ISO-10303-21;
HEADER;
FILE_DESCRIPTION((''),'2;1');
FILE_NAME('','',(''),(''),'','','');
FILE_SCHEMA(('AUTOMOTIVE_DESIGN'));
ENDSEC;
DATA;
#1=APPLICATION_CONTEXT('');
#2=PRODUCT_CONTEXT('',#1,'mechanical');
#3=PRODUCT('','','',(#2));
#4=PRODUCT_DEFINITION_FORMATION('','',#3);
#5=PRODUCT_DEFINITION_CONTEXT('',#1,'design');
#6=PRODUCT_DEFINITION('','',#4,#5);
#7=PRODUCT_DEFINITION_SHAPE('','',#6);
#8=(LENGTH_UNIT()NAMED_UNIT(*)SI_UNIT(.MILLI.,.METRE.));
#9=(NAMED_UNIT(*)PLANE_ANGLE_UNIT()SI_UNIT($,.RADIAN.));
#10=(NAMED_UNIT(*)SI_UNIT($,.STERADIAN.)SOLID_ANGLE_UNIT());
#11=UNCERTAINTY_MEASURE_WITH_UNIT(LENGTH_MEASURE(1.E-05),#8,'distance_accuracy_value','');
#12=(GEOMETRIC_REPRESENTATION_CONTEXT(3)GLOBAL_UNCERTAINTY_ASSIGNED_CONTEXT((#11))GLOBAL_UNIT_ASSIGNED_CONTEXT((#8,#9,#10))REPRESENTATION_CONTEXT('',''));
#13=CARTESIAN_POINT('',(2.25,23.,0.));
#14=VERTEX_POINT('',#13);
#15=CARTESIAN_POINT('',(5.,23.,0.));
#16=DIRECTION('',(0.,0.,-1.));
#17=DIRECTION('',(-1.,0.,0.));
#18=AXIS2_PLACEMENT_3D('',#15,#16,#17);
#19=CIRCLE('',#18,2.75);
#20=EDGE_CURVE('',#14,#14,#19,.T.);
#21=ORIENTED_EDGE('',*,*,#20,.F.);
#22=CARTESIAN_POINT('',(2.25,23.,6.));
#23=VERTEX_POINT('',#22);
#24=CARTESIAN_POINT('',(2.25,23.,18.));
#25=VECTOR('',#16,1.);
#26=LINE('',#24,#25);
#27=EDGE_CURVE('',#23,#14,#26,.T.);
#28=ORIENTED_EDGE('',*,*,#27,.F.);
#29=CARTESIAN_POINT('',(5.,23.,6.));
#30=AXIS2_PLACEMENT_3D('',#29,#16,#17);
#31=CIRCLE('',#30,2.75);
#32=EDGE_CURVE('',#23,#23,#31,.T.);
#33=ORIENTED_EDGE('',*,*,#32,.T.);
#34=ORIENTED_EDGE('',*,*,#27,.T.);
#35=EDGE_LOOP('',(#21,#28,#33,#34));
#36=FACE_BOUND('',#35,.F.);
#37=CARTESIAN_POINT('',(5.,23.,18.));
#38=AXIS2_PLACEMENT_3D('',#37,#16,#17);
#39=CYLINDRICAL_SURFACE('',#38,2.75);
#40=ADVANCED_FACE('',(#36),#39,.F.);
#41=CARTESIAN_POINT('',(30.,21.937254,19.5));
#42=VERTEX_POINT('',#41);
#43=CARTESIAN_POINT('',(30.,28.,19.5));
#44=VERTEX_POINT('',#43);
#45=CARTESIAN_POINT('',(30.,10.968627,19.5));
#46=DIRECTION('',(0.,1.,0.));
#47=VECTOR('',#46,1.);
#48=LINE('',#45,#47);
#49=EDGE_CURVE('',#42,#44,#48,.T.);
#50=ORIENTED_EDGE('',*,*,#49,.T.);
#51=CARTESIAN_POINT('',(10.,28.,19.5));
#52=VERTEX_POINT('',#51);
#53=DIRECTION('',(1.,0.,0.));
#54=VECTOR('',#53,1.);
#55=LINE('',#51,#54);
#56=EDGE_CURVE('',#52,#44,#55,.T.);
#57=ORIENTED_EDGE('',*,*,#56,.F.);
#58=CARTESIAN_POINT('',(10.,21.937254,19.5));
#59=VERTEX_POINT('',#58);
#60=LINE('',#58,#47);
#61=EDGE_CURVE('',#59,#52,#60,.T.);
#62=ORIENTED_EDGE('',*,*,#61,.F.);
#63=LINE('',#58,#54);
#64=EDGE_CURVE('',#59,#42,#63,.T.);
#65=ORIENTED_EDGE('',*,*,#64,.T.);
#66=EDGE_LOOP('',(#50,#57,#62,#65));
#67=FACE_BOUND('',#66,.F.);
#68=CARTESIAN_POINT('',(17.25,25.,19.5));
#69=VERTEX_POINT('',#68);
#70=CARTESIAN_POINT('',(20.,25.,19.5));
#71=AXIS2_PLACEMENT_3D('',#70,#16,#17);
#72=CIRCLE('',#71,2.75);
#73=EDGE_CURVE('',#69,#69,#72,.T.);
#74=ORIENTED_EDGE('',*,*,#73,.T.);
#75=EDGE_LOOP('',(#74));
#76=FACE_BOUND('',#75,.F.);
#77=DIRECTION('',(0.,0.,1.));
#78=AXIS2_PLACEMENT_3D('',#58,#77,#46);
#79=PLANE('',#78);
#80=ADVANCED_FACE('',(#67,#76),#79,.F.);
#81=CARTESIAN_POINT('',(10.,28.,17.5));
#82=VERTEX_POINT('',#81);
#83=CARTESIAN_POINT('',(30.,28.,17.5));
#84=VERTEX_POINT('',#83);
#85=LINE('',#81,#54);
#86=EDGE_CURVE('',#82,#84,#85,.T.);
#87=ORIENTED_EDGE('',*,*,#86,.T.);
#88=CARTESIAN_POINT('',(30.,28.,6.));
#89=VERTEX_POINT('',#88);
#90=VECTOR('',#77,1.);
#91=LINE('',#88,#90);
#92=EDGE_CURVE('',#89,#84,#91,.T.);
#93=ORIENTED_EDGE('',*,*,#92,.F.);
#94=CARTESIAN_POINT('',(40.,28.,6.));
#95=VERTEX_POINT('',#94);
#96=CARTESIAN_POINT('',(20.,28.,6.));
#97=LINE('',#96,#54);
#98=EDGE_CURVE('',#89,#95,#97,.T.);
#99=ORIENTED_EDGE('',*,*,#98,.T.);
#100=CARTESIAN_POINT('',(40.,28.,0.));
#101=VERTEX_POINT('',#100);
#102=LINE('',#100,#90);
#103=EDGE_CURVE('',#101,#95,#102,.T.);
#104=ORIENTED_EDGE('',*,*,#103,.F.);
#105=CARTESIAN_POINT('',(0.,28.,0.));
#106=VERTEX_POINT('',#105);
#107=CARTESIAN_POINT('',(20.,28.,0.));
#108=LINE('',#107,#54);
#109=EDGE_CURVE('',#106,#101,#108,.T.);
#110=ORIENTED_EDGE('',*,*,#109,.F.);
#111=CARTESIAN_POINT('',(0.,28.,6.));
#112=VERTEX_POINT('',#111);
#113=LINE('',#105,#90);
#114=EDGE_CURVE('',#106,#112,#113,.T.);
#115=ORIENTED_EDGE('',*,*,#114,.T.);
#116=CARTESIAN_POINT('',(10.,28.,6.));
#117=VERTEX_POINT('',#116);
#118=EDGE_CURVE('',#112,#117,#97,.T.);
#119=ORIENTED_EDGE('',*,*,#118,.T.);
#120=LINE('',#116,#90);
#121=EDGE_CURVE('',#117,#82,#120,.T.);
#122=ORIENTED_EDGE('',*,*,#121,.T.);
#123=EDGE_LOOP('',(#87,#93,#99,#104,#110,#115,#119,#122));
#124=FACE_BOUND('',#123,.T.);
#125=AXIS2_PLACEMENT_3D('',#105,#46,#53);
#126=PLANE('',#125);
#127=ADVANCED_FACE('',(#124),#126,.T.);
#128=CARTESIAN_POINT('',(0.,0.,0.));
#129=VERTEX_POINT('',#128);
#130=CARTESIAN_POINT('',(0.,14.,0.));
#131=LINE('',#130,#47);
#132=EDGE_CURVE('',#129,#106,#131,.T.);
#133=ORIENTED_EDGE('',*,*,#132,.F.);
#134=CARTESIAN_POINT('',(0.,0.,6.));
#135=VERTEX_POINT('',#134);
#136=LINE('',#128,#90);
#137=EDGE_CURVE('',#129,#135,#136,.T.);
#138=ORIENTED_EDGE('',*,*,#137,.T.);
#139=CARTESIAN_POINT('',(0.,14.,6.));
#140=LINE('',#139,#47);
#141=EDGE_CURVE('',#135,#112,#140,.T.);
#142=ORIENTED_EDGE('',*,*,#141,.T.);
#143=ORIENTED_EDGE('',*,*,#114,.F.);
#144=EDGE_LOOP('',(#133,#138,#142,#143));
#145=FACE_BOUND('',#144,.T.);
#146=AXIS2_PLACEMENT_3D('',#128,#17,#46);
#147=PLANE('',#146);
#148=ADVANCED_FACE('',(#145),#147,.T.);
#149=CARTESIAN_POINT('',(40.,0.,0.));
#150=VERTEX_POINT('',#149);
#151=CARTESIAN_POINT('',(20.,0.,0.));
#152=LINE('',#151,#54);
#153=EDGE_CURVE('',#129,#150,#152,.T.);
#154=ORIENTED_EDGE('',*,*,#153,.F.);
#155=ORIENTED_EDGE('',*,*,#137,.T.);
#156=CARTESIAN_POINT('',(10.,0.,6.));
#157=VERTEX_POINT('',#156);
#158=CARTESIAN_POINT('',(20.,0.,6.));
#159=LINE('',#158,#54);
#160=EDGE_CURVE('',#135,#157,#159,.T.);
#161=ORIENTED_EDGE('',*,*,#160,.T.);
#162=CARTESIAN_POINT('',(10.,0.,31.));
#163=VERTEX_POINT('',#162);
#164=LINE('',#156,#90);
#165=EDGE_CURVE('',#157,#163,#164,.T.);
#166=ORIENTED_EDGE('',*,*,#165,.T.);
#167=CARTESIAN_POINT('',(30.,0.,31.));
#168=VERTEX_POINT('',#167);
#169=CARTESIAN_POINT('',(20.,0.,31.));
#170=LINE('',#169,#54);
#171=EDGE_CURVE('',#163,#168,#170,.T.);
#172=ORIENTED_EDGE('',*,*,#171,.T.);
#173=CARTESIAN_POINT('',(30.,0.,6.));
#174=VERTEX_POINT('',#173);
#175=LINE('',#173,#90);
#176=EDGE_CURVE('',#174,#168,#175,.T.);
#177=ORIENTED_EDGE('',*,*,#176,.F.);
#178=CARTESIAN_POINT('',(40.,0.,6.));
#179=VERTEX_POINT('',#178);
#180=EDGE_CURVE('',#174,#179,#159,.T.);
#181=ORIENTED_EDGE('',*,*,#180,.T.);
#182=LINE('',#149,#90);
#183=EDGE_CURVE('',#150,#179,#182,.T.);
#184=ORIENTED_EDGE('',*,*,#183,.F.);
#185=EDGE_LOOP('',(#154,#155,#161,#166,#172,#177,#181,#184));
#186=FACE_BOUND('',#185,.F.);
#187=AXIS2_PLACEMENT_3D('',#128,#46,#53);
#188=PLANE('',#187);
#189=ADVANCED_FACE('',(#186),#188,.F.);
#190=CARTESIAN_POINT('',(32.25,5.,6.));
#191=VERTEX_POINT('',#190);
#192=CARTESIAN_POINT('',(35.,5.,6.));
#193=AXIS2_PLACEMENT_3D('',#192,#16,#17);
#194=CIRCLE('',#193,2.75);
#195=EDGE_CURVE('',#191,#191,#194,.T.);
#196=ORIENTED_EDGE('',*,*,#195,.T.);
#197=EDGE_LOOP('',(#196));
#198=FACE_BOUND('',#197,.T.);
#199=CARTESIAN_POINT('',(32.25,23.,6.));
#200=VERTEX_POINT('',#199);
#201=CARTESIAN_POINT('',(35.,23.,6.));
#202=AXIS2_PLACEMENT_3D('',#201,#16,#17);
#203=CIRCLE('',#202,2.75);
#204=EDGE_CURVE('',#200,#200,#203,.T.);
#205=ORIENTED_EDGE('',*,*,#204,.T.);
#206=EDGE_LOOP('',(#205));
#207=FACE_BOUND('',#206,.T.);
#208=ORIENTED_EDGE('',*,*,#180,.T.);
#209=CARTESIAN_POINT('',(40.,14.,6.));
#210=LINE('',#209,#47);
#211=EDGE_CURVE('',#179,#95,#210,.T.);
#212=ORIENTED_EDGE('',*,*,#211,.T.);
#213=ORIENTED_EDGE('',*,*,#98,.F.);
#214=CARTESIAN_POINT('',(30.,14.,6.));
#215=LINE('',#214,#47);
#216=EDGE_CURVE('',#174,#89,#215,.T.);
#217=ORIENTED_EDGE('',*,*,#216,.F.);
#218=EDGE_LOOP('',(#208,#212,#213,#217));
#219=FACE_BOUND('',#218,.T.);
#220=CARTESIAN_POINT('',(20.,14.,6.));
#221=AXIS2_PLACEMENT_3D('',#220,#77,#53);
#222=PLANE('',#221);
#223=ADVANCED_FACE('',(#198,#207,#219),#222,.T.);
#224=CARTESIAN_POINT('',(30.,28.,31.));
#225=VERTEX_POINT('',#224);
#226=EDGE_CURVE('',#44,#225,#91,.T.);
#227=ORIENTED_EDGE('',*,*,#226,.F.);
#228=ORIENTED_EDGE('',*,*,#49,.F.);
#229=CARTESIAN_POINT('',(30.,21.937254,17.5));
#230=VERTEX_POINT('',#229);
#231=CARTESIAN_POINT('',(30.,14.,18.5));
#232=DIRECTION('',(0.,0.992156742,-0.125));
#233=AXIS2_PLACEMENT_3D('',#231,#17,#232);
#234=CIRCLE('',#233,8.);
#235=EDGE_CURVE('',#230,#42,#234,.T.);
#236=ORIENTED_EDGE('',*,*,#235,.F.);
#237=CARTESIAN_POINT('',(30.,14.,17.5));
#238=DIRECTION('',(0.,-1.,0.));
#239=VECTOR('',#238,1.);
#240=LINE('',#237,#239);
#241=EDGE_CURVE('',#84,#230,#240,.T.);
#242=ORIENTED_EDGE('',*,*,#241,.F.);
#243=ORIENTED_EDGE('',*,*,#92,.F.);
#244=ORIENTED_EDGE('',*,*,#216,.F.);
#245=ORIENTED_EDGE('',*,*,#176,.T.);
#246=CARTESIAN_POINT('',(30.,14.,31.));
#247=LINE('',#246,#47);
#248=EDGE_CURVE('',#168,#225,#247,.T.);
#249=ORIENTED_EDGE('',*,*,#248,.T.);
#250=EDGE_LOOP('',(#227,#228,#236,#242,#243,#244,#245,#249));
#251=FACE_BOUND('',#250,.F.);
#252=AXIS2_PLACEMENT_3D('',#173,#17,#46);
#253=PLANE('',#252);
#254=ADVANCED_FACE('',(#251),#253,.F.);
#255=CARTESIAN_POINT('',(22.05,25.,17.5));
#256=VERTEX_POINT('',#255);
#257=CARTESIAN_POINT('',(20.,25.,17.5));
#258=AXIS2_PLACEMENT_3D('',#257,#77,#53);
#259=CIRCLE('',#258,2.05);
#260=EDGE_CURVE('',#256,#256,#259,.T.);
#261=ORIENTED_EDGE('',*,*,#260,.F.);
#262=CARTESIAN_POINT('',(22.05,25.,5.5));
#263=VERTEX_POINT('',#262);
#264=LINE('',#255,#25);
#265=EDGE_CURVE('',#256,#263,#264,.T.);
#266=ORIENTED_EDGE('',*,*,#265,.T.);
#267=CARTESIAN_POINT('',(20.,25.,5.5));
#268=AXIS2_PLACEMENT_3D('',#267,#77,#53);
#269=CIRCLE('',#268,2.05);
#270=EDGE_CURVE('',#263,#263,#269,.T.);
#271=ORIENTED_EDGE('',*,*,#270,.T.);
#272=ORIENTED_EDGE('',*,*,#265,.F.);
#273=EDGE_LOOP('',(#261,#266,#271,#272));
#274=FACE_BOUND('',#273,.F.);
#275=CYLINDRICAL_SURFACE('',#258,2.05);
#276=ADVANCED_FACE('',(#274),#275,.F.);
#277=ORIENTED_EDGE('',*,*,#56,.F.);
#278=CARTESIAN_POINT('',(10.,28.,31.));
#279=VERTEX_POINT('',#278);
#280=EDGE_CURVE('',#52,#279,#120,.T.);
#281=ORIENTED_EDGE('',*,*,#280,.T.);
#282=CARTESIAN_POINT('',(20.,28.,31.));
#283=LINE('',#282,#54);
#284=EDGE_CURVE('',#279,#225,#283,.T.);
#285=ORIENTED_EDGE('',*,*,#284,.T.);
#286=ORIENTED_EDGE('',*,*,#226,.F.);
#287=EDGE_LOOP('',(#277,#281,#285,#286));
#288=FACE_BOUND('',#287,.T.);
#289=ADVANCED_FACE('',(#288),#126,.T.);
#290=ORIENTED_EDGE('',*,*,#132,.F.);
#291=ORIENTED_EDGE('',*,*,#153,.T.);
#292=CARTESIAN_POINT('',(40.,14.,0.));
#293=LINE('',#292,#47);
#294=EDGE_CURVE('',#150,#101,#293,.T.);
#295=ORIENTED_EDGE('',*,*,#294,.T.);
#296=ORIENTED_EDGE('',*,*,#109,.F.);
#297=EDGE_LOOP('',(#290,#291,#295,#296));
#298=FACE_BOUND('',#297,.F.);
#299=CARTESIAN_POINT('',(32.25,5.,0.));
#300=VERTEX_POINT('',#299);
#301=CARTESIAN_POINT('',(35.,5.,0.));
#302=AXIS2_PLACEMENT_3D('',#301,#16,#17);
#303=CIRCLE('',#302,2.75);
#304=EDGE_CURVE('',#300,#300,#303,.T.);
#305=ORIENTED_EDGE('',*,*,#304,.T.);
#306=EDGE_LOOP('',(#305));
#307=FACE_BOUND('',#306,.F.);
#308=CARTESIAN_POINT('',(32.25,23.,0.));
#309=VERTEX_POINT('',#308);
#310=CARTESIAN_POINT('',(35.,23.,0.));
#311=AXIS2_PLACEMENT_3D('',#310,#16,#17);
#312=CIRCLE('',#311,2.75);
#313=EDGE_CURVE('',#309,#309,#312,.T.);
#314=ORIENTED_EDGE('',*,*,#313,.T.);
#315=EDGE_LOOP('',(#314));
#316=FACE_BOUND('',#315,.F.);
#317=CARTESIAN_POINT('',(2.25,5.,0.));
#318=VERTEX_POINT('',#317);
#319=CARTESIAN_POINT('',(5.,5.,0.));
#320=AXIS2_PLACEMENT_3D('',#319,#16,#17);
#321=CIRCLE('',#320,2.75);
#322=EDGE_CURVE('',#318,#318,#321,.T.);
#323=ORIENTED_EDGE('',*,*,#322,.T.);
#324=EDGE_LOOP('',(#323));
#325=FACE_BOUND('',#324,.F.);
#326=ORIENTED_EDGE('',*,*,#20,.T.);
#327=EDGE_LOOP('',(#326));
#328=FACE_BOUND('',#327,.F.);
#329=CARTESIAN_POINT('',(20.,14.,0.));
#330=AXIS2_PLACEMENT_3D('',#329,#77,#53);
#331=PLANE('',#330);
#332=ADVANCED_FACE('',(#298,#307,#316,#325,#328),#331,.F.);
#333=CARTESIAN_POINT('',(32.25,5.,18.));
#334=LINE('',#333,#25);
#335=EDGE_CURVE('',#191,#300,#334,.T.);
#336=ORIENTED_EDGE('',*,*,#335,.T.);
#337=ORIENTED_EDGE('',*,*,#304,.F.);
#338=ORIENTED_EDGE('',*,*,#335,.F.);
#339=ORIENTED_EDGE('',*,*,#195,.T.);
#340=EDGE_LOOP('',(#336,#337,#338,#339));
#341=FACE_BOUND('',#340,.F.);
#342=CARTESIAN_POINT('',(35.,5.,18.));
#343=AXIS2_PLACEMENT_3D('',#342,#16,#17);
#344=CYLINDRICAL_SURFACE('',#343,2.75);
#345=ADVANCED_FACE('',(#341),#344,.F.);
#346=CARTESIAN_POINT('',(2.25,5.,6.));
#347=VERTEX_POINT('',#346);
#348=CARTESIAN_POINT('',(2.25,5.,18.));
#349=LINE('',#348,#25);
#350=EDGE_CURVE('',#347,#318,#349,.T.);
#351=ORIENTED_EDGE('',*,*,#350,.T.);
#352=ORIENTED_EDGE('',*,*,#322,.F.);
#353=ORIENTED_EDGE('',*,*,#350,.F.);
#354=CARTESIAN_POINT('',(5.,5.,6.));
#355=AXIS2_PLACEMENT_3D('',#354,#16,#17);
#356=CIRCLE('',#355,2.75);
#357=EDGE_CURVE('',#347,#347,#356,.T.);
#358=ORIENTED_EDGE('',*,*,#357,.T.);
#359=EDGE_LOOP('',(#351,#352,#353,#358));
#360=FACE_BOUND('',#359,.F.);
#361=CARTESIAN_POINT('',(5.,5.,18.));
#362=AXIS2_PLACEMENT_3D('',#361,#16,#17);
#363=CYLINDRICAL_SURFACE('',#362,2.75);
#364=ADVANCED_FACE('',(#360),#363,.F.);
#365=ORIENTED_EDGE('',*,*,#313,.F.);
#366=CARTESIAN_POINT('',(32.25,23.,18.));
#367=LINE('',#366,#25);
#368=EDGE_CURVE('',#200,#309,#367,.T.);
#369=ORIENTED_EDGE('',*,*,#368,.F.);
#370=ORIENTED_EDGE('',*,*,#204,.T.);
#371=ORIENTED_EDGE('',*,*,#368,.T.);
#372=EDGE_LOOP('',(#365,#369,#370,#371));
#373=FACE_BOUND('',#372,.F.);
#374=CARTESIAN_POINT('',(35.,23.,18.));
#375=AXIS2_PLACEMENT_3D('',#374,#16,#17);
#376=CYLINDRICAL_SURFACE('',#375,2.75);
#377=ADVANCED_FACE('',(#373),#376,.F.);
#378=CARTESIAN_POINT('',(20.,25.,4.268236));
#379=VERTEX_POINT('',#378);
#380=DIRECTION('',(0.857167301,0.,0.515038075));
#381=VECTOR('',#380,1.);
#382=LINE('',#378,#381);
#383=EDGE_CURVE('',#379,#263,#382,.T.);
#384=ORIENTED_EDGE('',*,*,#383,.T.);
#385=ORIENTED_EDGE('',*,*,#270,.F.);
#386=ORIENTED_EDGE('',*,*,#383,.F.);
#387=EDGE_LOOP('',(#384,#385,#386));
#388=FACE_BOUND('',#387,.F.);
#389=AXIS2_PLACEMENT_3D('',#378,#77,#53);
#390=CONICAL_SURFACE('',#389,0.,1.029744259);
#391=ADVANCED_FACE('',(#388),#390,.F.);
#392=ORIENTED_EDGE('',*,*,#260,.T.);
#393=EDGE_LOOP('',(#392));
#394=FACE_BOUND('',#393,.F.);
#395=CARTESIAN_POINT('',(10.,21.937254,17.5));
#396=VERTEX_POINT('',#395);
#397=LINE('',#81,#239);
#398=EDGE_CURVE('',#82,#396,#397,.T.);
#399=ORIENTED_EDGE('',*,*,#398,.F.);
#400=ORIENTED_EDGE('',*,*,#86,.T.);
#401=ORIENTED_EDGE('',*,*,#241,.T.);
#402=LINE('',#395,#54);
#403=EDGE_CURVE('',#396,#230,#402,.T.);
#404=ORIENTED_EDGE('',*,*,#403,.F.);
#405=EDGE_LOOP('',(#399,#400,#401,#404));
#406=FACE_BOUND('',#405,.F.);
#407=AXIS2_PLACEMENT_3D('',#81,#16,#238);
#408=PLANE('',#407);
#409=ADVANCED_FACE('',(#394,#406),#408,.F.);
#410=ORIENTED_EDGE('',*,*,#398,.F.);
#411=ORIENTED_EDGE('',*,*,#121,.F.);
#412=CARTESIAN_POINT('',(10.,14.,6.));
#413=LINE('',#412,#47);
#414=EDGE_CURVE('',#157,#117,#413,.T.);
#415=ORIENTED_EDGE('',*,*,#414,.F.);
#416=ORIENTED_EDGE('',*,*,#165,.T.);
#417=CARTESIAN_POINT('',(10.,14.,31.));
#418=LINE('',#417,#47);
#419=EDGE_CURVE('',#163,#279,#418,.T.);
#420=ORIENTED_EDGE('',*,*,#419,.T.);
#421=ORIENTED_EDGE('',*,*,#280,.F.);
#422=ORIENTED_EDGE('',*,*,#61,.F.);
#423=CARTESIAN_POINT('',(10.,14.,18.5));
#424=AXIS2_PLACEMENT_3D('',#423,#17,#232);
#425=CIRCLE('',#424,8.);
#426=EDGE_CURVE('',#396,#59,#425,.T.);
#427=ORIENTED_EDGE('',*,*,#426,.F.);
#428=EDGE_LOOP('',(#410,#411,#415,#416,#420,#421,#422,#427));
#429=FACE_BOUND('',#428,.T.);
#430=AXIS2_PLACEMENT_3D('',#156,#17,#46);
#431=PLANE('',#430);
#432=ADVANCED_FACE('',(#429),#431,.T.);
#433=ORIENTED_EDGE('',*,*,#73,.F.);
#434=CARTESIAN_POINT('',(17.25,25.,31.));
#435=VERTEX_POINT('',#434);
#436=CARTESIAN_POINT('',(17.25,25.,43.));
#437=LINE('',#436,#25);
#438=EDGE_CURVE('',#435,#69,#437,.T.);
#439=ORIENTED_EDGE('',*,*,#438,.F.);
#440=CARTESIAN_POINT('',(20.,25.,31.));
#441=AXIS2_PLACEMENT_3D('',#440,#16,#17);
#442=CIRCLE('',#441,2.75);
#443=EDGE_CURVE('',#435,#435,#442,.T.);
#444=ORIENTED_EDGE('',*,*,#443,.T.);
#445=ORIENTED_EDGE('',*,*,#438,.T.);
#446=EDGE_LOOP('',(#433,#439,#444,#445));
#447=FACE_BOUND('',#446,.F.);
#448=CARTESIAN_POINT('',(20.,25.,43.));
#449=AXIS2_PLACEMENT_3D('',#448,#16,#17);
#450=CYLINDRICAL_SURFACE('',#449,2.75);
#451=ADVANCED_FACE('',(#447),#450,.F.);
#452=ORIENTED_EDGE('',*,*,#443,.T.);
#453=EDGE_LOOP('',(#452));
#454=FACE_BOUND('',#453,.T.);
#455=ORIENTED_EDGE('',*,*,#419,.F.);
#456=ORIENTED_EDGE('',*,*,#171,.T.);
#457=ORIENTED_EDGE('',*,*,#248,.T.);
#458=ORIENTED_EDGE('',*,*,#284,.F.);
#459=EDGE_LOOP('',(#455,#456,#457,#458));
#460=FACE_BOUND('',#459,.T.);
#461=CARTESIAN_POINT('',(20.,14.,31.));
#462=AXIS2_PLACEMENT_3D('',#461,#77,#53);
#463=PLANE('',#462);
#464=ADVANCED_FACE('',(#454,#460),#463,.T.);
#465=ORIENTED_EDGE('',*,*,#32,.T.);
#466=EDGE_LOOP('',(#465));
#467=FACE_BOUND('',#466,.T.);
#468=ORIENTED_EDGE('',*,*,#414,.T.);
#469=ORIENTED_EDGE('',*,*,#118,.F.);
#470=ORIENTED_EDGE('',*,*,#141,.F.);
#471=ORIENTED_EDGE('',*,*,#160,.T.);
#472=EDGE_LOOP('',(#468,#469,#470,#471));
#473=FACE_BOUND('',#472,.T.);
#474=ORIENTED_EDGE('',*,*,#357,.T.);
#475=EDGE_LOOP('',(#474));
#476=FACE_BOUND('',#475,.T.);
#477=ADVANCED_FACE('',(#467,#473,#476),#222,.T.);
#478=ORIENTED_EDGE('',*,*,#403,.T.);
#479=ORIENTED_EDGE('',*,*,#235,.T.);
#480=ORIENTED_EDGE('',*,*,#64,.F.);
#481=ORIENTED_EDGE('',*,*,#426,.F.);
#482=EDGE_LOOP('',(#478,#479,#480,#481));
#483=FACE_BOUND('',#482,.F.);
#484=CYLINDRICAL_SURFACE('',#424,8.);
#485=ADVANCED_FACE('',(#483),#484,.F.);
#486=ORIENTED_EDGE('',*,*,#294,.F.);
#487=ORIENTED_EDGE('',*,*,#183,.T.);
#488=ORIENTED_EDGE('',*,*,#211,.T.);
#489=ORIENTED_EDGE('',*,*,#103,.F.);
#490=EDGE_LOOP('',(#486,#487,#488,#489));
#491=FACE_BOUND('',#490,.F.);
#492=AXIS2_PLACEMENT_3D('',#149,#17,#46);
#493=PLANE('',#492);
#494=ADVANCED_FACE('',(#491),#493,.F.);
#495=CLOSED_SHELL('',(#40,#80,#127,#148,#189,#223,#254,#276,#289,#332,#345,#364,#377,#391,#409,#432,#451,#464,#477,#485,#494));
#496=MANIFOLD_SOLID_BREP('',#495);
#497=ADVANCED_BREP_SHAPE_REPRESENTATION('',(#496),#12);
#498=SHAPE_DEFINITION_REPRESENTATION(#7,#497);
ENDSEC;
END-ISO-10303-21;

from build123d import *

# Parameters (mm, degrees)
F0_W      = 40
F0_H      = 28
F1_DEPTH  = 6
F2_W      = 20
F2_H      = 28
F3_DEPTH  = 25
F5_DEPTH  = 30.001
F7_D      = 4.1
F7_DEPTH  = 12
F7_TIP    = 1.231764269
F9_D      = 5.5
F9_DEPTH  = 12
F9_TIP    = 1.6523667023
F11_D     = 5.5
F11_DEPTH = 12
F11_TIP   = 1.6523667023


with BuildPart() as f1:
    # F0 (on Top) → F1 (new body)
    with BuildSketch(Plane.XY):
        with Locations((20, 14)):
            Rectangle(F0_W, F0_H)
    extrude(amount=F1_DEPTH)

    # F2 (on face) → F3 (join)
    with BuildSketch(Plane.XY.offset(6)):
        with Locations((20, 14)):
            Rectangle(F2_W, F2_H)
    extrude(amount=F3_DEPTH)

    # F4 (on face) → F5 (cut, through all)
    with BuildSketch(Plane(origin=(10, 0, 0), x_dir=(0, -1, 0), z_dir=(-1, 0, 0))):
        with BuildLine():
            Line((-28, 17.5), (-21.9372539332, 17.5))
            ThreePointArc((-21.9372539332, 17.5), (-6, 18.5), (-21.9372539332, 19.5))
            Line((-21.9372539332, 19.5), (-28, 19.5))
            Line((-28, 19.5), (-28, 17.5))
        make_face()
    extrude(amount=-F5_DEPTH, mode=Mode.SUBTRACT)

    # F7 (one way)
    with BuildSketch(Plane.XY.offset(17.5)):
        with Locations((20, 25)):
            Circle(F7_D / 2)
    extrude(amount=-F7_DEPTH, mode=Mode.SUBTRACT)
    with Locations(Plane.XY.offset(17.5)):
        with Locations((20, 25)):
            with Locations((0, 0, -(F7_DEPTH + F7_TIP / 2))):  # 118° drill point
                Cone(0, F7_D / 2, F7_TIP, mode=Mode.SUBTRACT)

    # F9
    with Locations(Plane.XY.offset(31)):
        with Locations((20, 25)):
            Hole(F9_D / 2, depth=F9_DEPTH)
            with Locations((0, 0, -(F9_DEPTH + F9_TIP / 2))):  # 118° drill point
                Cone(0, F9_D / 2, F9_TIP, mode=Mode.SUBTRACT)

    # F11
    with Locations(Plane.XY.offset(6)):
        with Locations((5, 5), (5, 23), (35, 23), (35, 5)):
            Hole(F11_D / 2, depth=F11_DEPTH)
            with Locations((0, 0, -(F11_DEPTH + F11_TIP / 2))):  # 118° drill point
                Cone(0, F11_D / 2, F11_TIP, mode=Mode.SUBTRACT)


solid = f1.part
